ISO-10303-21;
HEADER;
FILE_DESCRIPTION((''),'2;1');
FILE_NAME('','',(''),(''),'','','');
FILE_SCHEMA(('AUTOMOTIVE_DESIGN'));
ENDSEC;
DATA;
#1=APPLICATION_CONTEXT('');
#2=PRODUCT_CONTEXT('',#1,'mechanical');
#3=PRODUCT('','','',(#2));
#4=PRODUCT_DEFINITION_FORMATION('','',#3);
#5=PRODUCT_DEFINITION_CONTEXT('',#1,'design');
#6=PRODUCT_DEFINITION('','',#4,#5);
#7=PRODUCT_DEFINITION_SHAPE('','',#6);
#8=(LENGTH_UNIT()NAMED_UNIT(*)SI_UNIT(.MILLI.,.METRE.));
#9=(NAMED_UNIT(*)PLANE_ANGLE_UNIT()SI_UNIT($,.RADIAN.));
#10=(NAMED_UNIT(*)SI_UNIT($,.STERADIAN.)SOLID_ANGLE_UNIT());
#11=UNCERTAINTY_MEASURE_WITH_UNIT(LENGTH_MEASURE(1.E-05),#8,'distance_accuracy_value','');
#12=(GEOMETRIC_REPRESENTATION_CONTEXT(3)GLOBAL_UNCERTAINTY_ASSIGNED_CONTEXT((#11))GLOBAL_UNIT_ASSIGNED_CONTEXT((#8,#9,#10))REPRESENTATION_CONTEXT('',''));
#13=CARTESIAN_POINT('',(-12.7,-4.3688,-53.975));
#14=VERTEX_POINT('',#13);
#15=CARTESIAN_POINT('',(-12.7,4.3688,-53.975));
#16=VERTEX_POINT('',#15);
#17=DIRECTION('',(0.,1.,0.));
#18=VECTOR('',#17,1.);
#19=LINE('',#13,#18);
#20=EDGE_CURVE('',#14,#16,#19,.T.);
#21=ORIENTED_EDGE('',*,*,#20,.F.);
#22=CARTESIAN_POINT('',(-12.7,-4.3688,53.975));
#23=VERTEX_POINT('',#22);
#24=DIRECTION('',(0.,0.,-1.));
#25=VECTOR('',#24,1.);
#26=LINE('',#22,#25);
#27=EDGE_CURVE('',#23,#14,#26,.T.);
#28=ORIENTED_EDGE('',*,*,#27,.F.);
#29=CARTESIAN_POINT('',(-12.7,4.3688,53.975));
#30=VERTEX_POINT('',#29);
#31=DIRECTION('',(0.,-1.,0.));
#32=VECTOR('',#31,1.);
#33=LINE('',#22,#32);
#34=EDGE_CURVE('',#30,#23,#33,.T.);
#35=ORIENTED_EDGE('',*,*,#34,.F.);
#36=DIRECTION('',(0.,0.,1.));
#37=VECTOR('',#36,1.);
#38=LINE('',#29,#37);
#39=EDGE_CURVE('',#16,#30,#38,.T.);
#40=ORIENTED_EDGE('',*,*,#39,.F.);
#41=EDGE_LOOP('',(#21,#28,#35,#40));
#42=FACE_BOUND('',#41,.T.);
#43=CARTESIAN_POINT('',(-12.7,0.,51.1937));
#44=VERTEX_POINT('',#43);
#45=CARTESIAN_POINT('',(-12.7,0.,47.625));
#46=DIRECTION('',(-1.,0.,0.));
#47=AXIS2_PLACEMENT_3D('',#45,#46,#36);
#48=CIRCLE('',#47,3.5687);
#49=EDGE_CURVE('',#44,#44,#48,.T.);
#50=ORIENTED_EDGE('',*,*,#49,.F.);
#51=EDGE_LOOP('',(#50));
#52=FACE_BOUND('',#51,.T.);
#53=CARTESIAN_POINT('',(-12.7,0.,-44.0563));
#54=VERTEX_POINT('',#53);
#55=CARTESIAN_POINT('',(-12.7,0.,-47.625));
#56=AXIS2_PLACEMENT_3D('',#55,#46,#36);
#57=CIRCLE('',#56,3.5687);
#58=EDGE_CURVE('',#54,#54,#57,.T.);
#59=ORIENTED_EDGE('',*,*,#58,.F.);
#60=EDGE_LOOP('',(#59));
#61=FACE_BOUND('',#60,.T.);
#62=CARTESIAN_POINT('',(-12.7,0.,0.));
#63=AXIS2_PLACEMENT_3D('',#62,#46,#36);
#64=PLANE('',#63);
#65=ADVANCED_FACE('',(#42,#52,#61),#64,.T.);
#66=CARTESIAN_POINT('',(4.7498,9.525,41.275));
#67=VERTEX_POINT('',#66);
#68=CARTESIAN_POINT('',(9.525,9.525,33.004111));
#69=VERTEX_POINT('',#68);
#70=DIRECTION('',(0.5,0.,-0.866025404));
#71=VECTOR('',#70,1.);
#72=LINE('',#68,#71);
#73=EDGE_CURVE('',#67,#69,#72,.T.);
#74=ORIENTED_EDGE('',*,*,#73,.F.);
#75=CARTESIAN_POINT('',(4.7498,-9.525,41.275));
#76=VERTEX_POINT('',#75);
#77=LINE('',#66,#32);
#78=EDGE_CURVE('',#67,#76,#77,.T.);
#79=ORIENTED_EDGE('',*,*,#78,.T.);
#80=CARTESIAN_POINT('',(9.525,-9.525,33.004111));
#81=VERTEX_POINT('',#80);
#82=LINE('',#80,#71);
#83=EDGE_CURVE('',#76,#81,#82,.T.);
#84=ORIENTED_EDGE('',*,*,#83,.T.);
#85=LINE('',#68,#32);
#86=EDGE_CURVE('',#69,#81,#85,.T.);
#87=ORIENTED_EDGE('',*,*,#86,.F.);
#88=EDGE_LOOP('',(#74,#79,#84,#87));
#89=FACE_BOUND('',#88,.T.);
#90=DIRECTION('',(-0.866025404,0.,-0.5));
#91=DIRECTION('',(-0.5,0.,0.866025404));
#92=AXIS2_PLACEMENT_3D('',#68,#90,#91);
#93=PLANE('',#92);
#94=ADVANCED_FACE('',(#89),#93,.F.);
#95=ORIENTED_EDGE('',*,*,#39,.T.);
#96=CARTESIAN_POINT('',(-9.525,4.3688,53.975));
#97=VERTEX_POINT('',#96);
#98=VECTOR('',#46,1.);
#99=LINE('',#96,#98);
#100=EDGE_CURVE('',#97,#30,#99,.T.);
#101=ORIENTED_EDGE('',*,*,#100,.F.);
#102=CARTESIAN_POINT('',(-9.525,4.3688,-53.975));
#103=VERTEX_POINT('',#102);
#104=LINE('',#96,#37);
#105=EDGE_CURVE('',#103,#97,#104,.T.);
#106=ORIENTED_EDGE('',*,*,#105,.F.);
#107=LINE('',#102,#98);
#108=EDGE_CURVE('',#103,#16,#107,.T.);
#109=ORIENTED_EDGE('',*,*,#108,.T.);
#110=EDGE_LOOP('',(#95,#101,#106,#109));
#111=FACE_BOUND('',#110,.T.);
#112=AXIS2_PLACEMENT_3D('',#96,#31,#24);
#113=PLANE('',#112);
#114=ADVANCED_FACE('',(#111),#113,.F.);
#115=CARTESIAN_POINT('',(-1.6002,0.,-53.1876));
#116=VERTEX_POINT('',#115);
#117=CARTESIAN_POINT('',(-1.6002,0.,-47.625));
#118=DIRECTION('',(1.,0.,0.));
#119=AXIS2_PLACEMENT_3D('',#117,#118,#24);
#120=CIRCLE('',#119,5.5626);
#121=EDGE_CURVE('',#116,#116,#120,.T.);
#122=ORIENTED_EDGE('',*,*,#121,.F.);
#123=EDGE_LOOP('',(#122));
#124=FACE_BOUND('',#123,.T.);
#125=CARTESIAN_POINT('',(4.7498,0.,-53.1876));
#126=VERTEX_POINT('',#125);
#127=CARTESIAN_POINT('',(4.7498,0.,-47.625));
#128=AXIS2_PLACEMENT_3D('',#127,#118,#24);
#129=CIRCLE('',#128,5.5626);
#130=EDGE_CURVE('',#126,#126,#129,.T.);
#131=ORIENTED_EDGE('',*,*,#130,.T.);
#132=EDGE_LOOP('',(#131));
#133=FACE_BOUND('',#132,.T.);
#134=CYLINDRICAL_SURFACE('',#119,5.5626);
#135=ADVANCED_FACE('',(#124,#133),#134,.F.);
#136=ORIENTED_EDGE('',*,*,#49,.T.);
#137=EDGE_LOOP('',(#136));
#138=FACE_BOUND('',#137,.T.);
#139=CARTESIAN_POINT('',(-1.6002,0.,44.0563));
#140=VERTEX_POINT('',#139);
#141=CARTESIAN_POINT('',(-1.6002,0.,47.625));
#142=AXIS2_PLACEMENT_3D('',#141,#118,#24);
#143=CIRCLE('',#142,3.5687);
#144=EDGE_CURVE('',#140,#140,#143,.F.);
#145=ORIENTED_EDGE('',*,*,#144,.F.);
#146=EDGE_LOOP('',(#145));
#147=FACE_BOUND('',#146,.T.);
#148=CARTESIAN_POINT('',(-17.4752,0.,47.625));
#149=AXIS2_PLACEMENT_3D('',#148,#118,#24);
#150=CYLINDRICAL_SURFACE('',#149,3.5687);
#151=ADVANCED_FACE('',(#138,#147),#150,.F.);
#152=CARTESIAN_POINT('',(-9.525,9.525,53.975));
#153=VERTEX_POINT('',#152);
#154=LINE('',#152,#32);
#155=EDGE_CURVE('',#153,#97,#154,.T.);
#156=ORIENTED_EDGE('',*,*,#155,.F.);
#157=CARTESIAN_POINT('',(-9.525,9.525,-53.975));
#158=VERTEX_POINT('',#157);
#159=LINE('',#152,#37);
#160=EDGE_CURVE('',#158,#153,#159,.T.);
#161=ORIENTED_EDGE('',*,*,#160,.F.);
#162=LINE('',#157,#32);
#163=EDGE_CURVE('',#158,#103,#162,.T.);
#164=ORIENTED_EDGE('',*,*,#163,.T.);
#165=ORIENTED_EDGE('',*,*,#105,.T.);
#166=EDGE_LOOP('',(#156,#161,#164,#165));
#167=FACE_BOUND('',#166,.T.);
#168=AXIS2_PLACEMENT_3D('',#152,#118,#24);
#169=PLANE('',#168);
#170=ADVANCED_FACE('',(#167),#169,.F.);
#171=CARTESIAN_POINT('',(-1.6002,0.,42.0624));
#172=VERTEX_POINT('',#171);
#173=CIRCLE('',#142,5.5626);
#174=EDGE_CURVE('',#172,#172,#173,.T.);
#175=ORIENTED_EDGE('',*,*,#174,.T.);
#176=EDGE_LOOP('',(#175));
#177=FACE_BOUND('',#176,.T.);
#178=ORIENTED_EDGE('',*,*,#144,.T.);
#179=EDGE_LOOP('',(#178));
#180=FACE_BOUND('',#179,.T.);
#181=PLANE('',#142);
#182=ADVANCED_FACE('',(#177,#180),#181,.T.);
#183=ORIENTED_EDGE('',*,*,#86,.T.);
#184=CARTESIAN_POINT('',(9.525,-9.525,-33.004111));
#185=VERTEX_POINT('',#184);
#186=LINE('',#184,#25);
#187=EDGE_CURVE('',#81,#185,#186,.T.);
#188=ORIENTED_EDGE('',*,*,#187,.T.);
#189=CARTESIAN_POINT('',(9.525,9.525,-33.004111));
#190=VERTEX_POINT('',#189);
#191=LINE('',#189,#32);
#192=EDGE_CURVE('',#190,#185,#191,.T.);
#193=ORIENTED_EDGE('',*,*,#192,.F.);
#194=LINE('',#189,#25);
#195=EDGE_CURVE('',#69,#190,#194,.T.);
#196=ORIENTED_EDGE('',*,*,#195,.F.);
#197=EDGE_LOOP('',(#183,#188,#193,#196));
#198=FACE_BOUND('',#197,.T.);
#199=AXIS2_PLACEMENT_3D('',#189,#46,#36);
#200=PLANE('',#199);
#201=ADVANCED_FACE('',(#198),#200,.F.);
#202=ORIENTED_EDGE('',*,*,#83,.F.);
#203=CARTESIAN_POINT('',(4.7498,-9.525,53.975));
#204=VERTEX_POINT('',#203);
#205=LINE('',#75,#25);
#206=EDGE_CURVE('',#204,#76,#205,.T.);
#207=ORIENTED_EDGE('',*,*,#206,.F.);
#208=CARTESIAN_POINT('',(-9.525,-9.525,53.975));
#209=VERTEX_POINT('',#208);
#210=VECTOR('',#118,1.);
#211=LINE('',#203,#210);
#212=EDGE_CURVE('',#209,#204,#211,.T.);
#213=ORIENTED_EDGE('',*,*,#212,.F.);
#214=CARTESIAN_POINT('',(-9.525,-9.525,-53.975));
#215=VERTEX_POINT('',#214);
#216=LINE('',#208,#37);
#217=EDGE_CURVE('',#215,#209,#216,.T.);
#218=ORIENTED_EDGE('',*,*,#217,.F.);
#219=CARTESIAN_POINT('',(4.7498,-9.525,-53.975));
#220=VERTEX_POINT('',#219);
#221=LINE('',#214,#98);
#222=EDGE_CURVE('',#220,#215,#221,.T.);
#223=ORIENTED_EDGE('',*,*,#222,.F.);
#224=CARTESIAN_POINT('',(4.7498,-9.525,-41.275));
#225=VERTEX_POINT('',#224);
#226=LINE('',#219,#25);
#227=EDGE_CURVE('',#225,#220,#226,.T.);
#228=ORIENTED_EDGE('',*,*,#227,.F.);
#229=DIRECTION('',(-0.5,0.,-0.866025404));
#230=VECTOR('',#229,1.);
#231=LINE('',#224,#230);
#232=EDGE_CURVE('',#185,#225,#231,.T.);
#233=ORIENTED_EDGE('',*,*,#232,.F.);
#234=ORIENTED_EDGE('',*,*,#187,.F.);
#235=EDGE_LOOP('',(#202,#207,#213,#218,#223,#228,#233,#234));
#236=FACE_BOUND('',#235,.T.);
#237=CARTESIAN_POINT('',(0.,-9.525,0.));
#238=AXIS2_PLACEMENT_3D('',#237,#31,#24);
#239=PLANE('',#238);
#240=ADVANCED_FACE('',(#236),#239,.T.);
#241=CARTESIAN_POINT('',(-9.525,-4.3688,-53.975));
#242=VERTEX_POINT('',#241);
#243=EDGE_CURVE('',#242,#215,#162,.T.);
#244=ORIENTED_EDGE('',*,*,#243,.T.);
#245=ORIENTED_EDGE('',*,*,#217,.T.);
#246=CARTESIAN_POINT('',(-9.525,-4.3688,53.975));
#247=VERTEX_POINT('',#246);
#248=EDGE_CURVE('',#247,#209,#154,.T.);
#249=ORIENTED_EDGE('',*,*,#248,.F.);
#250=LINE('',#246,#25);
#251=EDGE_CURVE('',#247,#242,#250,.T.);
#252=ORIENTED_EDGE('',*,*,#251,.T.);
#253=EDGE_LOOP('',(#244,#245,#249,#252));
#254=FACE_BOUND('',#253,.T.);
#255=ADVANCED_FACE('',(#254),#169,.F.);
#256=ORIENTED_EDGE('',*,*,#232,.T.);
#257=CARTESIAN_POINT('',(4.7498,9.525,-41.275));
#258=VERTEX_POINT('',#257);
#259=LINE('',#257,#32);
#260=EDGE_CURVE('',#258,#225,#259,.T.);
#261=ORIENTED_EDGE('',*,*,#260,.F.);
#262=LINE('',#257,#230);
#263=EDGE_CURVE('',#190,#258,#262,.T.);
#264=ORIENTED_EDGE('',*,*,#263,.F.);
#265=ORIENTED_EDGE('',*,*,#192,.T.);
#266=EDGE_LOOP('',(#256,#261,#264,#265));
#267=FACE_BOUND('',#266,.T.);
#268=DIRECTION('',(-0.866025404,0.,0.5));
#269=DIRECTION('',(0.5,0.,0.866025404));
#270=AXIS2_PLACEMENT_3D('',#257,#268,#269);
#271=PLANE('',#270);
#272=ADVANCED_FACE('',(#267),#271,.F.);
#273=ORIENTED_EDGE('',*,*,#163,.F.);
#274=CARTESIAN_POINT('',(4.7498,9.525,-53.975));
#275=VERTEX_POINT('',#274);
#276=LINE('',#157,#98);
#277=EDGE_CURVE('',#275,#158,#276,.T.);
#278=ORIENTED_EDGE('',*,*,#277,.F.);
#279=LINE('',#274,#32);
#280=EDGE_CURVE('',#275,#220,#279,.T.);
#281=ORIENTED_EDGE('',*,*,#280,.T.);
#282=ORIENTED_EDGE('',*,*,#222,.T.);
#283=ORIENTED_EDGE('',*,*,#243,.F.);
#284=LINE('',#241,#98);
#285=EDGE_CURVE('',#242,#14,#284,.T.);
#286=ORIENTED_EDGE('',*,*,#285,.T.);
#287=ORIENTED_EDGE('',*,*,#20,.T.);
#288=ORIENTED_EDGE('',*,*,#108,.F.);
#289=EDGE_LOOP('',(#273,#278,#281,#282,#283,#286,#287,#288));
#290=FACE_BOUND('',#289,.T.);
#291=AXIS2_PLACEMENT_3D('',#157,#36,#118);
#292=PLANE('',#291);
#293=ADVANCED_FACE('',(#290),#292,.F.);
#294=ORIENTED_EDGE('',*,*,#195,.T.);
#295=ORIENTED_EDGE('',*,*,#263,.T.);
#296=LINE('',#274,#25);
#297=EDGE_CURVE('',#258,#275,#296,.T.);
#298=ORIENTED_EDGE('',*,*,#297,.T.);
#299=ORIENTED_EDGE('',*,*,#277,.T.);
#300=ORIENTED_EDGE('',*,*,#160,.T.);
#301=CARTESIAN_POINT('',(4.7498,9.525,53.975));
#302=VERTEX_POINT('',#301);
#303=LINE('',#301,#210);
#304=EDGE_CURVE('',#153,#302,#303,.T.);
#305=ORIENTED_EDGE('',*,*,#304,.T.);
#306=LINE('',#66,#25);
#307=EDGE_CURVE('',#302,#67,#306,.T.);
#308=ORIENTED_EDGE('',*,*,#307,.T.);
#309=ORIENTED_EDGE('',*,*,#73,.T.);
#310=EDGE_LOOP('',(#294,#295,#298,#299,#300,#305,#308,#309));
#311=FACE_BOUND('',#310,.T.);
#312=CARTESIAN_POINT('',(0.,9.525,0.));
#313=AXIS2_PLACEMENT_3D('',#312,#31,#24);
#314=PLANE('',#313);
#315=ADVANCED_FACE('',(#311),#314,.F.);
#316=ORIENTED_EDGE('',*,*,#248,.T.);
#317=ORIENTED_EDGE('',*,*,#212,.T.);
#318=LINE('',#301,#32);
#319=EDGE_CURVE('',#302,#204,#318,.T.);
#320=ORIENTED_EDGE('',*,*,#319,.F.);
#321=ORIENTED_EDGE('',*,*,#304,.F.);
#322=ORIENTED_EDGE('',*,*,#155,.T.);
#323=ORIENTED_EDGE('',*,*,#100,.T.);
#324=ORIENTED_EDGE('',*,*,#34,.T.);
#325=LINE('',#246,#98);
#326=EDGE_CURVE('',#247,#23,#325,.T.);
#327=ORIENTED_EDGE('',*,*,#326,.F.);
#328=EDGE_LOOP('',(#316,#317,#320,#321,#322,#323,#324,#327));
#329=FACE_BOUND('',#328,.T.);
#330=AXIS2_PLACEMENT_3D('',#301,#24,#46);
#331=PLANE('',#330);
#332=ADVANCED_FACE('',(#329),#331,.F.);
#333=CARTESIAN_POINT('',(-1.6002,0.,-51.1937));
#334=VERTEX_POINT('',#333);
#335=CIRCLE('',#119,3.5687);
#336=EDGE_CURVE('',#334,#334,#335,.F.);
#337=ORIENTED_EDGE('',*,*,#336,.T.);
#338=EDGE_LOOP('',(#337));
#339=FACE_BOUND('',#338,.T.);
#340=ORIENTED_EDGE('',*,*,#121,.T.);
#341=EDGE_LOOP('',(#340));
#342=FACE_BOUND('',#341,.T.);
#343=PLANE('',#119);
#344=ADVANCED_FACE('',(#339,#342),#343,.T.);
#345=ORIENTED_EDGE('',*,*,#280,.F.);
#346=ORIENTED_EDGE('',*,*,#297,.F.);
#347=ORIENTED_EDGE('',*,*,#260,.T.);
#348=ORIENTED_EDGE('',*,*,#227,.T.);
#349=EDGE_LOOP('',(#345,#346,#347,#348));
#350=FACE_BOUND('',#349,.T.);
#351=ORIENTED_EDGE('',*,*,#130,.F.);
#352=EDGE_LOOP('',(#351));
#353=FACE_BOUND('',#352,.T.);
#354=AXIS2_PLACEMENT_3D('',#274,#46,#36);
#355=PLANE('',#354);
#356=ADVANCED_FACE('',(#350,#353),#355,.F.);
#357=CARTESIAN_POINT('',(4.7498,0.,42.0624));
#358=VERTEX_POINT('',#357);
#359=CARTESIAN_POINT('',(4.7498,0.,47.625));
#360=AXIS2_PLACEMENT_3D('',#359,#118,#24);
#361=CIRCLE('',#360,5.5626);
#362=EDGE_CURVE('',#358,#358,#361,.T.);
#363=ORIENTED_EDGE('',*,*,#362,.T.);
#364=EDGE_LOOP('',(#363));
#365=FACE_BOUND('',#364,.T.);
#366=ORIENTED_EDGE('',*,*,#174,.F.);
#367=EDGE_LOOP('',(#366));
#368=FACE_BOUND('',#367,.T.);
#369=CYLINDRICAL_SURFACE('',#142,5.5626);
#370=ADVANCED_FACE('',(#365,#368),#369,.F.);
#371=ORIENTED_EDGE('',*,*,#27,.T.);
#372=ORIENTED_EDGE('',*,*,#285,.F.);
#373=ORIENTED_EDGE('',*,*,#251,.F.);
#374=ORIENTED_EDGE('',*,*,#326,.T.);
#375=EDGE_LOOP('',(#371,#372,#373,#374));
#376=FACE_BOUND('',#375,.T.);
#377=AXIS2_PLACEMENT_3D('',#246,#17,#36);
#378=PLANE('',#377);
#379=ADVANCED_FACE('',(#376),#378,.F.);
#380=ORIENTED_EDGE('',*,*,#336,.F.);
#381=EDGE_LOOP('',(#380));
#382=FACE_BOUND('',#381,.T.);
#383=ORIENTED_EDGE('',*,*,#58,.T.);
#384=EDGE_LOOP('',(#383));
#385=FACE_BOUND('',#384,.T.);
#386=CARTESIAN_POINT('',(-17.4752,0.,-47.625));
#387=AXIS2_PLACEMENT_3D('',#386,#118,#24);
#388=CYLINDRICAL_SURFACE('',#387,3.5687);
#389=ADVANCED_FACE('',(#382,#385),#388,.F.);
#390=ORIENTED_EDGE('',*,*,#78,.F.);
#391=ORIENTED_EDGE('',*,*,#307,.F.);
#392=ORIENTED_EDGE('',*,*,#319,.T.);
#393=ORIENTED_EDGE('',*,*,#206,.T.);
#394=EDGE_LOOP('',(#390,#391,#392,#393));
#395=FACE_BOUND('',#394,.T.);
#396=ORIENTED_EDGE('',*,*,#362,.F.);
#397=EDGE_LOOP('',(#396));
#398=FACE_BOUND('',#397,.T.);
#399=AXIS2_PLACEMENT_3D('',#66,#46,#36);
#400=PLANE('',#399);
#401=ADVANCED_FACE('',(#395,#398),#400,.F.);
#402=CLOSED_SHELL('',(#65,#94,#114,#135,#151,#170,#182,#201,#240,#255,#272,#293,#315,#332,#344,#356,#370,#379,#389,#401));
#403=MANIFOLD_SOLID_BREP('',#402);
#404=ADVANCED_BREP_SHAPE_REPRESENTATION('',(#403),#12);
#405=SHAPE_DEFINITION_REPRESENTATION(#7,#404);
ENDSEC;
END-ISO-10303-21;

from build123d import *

# Parameters (mm, degrees)
BOSS_EXTRUDE1_DEPTH = 9.525
BOSS_EXTRUDE2_START = -12.7
SKETCH2_W           = 107.95
SKETCH2_H           = 8.7376
BOSS_EXTRUDE2_DEPTH = 3.175
CUT_EXTRUDE2_START  = 4.7498
SKETCH3_R           = 3.5687
CUT_EXTRUDE2_DEPTH  = 22.225
CUT_EXTRUDE4_START  = 4.7498
SKETCH4_R           = 5.5626
CUT_EXTRUDE4_DEPTH  = 6.35


with BuildPart() as part:
    # Sketch1 → Boss-Extrude1 (new, symmetric)
    with BuildSketch(Plane(origin=(0, 0, 0), x_dir=(1, 0, 0), z_dir=(0, 1, 0))):
        Polygon((-9.525, -53.975), (-9.525, 53.975), (4.7498, 53.975), (4.7498, 41.275), (9.525, 33.004110984), (9.525, -33.004110984), (4.7498, -41.275), (4.7498, -53.975), align=None)
    extrude(amount=BOSS_EXTRUDE1_DEPTH, both=True)

    # Sketch2 → Boss-Extrude2 (add)
    with BuildSketch(Plane(origin=(0, 0, 0), x_dir=(0, 0, -1), z_dir=(1, 0, 0)).offset(BOSS_EXTRUDE2_START)):
        Rectangle(SKETCH2_W, SKETCH2_H)
    extrude(amount=BOSS_EXTRUDE2_DEPTH)

    # Sketch3 → Cut-Extrude2 (cut)
    with BuildSketch(Plane(origin=(0, 0, 0), x_dir=(0, 0, -1), z_dir=(1, 0, 0)).offset(CUT_EXTRUDE2_START)):
        with Locations((-47.625, 0)):
            Circle(SKETCH3_R)
        with Locations((47.625, 0)):
            Circle(SKETCH3_R)
    extrude(amount=-CUT_EXTRUDE2_DEPTH, mode=Mode.SUBTRACT)

    # Sketch4 → Cut-Extrude4 (cut)
    with BuildSketch(Plane(origin=(0, 0, 0), x_dir=(0, 0, -1), z_dir=(1, 0, 0)).offset(CUT_EXTRUDE4_START)):
        with Locations((-47.625, 0)):
            Circle(SKETCH4_R)
        with Locations((47.625, 0)):
            Circle(SKETCH4_R)
    extrude(amount=-CUT_EXTRUDE4_DEPTH, mode=Mode.SUBTRACT)


solid = part.part
